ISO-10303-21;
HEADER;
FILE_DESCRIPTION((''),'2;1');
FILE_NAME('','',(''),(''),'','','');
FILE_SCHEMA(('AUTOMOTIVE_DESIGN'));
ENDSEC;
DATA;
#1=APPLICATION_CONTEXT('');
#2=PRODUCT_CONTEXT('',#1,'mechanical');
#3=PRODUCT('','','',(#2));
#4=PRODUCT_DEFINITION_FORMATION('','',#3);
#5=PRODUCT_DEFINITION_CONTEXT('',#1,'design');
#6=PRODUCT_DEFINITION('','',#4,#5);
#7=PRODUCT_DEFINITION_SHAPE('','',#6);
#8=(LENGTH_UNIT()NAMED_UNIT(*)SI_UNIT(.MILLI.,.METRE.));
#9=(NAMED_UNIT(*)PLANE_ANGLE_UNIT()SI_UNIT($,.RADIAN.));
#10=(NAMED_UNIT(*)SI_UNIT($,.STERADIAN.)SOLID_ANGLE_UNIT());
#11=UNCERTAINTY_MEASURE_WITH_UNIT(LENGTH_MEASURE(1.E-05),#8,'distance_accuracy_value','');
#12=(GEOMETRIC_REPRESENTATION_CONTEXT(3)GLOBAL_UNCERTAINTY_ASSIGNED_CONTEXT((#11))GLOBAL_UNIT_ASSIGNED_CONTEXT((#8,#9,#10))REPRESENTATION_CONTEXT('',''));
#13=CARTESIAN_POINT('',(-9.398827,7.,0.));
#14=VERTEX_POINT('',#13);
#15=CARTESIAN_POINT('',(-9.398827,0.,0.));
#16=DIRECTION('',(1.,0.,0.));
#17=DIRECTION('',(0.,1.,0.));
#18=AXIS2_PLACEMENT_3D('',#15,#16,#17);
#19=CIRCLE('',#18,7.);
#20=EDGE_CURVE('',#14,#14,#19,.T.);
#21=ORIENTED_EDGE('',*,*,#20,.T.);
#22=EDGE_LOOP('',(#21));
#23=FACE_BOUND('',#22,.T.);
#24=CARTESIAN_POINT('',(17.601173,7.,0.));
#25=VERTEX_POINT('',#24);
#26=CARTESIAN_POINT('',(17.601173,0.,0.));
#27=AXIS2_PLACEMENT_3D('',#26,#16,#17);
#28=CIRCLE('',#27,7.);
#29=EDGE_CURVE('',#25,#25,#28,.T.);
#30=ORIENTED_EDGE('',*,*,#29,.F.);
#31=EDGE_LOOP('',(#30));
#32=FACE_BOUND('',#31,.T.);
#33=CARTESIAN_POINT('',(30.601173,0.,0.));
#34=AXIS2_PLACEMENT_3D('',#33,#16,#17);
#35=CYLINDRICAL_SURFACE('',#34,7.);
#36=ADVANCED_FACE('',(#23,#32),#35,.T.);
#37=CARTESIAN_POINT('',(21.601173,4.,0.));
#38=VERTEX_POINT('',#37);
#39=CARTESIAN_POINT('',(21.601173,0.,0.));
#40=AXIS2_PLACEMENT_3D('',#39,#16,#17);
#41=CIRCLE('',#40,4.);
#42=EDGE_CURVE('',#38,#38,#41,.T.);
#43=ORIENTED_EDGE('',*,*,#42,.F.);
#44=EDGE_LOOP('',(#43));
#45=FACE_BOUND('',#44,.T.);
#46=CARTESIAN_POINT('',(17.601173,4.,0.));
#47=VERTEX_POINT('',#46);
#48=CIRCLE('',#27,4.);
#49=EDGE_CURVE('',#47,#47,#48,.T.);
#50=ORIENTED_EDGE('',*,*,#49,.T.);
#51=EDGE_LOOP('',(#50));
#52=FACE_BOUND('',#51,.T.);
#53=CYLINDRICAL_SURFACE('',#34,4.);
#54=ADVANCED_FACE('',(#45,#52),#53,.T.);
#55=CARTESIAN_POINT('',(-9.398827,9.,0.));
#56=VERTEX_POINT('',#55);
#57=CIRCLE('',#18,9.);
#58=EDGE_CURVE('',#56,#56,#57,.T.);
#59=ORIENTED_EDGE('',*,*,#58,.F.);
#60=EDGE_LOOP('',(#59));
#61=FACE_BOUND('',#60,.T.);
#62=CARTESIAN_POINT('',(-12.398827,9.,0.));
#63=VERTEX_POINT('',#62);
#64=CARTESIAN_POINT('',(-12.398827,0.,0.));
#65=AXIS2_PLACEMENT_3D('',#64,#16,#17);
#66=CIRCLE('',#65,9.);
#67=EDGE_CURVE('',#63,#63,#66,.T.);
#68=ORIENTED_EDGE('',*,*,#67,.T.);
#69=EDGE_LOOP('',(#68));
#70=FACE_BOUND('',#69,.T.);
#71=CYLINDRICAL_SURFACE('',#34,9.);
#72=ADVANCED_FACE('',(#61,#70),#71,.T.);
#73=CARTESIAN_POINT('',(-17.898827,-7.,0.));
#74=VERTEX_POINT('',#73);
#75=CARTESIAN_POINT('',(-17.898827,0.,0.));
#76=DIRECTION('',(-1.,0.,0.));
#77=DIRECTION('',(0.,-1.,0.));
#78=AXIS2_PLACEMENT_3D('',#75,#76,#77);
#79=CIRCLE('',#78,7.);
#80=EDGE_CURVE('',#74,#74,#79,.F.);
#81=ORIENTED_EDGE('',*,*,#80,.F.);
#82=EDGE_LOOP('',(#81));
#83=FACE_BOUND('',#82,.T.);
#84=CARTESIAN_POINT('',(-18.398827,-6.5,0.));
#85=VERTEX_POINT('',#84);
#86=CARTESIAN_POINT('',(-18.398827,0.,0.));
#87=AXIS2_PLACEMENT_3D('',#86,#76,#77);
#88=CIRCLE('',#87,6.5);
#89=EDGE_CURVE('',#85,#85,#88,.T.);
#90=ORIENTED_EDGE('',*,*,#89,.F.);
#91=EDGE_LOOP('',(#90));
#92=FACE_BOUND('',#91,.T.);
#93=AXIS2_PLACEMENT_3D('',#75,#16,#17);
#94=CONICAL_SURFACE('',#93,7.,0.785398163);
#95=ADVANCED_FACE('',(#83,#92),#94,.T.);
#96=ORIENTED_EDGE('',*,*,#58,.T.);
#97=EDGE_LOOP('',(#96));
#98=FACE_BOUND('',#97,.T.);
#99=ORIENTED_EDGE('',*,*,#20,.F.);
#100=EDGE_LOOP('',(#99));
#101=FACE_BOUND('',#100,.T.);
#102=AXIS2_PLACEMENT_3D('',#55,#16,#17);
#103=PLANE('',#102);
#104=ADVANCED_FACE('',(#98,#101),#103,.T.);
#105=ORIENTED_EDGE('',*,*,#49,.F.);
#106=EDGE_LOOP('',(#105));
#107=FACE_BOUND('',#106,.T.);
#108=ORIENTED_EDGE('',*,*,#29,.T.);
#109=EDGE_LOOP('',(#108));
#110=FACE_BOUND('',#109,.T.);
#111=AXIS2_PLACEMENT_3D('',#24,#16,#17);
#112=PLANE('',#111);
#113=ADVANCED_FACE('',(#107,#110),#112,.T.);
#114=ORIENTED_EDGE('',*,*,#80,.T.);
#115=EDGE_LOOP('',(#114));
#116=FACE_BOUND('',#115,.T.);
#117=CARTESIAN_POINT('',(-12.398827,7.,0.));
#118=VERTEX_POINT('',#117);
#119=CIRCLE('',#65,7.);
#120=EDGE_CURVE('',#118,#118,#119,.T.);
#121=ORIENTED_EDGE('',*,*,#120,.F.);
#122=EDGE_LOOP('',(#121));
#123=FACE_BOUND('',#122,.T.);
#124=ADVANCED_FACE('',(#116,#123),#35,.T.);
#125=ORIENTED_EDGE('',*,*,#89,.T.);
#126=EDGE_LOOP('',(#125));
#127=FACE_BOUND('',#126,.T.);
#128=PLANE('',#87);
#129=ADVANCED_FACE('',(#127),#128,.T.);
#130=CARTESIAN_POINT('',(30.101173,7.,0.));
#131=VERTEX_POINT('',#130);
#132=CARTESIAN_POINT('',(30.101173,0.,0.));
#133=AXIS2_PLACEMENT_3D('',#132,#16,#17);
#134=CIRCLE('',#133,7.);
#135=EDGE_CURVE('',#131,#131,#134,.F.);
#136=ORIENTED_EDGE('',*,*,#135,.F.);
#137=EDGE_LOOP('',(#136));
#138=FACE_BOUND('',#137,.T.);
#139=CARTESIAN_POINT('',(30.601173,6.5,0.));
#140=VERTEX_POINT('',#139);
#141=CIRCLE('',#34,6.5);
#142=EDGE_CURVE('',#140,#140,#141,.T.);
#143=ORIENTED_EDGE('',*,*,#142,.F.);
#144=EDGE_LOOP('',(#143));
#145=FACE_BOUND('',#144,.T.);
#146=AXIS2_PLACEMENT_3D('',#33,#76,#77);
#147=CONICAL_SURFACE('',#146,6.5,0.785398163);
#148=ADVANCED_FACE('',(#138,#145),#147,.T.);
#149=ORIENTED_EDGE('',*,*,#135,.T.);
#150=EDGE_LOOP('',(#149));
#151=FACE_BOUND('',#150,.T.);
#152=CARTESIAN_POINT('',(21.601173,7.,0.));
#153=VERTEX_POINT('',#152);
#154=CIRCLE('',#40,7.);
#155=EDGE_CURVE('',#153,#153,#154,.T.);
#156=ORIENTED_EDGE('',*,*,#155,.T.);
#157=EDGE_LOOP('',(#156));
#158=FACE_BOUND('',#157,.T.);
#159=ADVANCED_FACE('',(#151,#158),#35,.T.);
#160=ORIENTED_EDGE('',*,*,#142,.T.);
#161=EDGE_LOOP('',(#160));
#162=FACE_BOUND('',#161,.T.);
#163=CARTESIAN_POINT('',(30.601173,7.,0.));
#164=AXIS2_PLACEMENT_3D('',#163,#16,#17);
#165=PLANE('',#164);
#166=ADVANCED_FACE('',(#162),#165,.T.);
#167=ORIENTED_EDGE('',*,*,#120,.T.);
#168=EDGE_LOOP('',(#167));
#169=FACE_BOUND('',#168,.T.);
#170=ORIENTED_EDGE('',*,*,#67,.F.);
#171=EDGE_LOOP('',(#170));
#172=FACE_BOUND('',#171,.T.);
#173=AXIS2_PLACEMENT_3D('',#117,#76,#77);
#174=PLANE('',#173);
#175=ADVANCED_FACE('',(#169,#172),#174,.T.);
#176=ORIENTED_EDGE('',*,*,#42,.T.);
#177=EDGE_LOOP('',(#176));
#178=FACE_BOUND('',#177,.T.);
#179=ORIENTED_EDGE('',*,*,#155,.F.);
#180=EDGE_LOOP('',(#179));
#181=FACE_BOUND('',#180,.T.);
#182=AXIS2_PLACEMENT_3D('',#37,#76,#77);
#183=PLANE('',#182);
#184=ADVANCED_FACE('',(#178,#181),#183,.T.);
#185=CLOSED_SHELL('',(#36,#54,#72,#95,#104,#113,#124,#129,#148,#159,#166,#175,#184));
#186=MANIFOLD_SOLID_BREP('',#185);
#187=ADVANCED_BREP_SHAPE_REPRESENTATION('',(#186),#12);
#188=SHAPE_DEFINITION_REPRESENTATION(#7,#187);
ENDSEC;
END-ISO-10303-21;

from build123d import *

# Parameters (mm, degrees)
CHAMFER_1_SIZE = 0.5


with BuildPart() as part:
    # 草图1 → 旋转1 (revolve)
    with BuildSketch(Plane.XY):
        Polygon((-18.398826979, 0), (-18.398826979, 7), (-12.398826979, 7), (-12.398826979, 9), (-9.398826979, 9), (-9.398826979, 7), (17.601173021, 7), (17.601173021, 4), (21.601173021, 4), (21.601173021, 7), (30.601173021, 7), (30.601173021, 0), align=None)
    revolve(axis=Axis((30.601173021, 0, 0), (-1, 0, 0)))

    # 倒角1
    chamfer_1_edges = [part.edges().sort_by_distance(p)[0] for p in [
        (-18.398826979, -7, 0),
        (30.601173021, -7, 0),
    ]]
    chamfer(chamfer_1_edges, length=CHAMFER_1_SIZE)


solid = part.part
